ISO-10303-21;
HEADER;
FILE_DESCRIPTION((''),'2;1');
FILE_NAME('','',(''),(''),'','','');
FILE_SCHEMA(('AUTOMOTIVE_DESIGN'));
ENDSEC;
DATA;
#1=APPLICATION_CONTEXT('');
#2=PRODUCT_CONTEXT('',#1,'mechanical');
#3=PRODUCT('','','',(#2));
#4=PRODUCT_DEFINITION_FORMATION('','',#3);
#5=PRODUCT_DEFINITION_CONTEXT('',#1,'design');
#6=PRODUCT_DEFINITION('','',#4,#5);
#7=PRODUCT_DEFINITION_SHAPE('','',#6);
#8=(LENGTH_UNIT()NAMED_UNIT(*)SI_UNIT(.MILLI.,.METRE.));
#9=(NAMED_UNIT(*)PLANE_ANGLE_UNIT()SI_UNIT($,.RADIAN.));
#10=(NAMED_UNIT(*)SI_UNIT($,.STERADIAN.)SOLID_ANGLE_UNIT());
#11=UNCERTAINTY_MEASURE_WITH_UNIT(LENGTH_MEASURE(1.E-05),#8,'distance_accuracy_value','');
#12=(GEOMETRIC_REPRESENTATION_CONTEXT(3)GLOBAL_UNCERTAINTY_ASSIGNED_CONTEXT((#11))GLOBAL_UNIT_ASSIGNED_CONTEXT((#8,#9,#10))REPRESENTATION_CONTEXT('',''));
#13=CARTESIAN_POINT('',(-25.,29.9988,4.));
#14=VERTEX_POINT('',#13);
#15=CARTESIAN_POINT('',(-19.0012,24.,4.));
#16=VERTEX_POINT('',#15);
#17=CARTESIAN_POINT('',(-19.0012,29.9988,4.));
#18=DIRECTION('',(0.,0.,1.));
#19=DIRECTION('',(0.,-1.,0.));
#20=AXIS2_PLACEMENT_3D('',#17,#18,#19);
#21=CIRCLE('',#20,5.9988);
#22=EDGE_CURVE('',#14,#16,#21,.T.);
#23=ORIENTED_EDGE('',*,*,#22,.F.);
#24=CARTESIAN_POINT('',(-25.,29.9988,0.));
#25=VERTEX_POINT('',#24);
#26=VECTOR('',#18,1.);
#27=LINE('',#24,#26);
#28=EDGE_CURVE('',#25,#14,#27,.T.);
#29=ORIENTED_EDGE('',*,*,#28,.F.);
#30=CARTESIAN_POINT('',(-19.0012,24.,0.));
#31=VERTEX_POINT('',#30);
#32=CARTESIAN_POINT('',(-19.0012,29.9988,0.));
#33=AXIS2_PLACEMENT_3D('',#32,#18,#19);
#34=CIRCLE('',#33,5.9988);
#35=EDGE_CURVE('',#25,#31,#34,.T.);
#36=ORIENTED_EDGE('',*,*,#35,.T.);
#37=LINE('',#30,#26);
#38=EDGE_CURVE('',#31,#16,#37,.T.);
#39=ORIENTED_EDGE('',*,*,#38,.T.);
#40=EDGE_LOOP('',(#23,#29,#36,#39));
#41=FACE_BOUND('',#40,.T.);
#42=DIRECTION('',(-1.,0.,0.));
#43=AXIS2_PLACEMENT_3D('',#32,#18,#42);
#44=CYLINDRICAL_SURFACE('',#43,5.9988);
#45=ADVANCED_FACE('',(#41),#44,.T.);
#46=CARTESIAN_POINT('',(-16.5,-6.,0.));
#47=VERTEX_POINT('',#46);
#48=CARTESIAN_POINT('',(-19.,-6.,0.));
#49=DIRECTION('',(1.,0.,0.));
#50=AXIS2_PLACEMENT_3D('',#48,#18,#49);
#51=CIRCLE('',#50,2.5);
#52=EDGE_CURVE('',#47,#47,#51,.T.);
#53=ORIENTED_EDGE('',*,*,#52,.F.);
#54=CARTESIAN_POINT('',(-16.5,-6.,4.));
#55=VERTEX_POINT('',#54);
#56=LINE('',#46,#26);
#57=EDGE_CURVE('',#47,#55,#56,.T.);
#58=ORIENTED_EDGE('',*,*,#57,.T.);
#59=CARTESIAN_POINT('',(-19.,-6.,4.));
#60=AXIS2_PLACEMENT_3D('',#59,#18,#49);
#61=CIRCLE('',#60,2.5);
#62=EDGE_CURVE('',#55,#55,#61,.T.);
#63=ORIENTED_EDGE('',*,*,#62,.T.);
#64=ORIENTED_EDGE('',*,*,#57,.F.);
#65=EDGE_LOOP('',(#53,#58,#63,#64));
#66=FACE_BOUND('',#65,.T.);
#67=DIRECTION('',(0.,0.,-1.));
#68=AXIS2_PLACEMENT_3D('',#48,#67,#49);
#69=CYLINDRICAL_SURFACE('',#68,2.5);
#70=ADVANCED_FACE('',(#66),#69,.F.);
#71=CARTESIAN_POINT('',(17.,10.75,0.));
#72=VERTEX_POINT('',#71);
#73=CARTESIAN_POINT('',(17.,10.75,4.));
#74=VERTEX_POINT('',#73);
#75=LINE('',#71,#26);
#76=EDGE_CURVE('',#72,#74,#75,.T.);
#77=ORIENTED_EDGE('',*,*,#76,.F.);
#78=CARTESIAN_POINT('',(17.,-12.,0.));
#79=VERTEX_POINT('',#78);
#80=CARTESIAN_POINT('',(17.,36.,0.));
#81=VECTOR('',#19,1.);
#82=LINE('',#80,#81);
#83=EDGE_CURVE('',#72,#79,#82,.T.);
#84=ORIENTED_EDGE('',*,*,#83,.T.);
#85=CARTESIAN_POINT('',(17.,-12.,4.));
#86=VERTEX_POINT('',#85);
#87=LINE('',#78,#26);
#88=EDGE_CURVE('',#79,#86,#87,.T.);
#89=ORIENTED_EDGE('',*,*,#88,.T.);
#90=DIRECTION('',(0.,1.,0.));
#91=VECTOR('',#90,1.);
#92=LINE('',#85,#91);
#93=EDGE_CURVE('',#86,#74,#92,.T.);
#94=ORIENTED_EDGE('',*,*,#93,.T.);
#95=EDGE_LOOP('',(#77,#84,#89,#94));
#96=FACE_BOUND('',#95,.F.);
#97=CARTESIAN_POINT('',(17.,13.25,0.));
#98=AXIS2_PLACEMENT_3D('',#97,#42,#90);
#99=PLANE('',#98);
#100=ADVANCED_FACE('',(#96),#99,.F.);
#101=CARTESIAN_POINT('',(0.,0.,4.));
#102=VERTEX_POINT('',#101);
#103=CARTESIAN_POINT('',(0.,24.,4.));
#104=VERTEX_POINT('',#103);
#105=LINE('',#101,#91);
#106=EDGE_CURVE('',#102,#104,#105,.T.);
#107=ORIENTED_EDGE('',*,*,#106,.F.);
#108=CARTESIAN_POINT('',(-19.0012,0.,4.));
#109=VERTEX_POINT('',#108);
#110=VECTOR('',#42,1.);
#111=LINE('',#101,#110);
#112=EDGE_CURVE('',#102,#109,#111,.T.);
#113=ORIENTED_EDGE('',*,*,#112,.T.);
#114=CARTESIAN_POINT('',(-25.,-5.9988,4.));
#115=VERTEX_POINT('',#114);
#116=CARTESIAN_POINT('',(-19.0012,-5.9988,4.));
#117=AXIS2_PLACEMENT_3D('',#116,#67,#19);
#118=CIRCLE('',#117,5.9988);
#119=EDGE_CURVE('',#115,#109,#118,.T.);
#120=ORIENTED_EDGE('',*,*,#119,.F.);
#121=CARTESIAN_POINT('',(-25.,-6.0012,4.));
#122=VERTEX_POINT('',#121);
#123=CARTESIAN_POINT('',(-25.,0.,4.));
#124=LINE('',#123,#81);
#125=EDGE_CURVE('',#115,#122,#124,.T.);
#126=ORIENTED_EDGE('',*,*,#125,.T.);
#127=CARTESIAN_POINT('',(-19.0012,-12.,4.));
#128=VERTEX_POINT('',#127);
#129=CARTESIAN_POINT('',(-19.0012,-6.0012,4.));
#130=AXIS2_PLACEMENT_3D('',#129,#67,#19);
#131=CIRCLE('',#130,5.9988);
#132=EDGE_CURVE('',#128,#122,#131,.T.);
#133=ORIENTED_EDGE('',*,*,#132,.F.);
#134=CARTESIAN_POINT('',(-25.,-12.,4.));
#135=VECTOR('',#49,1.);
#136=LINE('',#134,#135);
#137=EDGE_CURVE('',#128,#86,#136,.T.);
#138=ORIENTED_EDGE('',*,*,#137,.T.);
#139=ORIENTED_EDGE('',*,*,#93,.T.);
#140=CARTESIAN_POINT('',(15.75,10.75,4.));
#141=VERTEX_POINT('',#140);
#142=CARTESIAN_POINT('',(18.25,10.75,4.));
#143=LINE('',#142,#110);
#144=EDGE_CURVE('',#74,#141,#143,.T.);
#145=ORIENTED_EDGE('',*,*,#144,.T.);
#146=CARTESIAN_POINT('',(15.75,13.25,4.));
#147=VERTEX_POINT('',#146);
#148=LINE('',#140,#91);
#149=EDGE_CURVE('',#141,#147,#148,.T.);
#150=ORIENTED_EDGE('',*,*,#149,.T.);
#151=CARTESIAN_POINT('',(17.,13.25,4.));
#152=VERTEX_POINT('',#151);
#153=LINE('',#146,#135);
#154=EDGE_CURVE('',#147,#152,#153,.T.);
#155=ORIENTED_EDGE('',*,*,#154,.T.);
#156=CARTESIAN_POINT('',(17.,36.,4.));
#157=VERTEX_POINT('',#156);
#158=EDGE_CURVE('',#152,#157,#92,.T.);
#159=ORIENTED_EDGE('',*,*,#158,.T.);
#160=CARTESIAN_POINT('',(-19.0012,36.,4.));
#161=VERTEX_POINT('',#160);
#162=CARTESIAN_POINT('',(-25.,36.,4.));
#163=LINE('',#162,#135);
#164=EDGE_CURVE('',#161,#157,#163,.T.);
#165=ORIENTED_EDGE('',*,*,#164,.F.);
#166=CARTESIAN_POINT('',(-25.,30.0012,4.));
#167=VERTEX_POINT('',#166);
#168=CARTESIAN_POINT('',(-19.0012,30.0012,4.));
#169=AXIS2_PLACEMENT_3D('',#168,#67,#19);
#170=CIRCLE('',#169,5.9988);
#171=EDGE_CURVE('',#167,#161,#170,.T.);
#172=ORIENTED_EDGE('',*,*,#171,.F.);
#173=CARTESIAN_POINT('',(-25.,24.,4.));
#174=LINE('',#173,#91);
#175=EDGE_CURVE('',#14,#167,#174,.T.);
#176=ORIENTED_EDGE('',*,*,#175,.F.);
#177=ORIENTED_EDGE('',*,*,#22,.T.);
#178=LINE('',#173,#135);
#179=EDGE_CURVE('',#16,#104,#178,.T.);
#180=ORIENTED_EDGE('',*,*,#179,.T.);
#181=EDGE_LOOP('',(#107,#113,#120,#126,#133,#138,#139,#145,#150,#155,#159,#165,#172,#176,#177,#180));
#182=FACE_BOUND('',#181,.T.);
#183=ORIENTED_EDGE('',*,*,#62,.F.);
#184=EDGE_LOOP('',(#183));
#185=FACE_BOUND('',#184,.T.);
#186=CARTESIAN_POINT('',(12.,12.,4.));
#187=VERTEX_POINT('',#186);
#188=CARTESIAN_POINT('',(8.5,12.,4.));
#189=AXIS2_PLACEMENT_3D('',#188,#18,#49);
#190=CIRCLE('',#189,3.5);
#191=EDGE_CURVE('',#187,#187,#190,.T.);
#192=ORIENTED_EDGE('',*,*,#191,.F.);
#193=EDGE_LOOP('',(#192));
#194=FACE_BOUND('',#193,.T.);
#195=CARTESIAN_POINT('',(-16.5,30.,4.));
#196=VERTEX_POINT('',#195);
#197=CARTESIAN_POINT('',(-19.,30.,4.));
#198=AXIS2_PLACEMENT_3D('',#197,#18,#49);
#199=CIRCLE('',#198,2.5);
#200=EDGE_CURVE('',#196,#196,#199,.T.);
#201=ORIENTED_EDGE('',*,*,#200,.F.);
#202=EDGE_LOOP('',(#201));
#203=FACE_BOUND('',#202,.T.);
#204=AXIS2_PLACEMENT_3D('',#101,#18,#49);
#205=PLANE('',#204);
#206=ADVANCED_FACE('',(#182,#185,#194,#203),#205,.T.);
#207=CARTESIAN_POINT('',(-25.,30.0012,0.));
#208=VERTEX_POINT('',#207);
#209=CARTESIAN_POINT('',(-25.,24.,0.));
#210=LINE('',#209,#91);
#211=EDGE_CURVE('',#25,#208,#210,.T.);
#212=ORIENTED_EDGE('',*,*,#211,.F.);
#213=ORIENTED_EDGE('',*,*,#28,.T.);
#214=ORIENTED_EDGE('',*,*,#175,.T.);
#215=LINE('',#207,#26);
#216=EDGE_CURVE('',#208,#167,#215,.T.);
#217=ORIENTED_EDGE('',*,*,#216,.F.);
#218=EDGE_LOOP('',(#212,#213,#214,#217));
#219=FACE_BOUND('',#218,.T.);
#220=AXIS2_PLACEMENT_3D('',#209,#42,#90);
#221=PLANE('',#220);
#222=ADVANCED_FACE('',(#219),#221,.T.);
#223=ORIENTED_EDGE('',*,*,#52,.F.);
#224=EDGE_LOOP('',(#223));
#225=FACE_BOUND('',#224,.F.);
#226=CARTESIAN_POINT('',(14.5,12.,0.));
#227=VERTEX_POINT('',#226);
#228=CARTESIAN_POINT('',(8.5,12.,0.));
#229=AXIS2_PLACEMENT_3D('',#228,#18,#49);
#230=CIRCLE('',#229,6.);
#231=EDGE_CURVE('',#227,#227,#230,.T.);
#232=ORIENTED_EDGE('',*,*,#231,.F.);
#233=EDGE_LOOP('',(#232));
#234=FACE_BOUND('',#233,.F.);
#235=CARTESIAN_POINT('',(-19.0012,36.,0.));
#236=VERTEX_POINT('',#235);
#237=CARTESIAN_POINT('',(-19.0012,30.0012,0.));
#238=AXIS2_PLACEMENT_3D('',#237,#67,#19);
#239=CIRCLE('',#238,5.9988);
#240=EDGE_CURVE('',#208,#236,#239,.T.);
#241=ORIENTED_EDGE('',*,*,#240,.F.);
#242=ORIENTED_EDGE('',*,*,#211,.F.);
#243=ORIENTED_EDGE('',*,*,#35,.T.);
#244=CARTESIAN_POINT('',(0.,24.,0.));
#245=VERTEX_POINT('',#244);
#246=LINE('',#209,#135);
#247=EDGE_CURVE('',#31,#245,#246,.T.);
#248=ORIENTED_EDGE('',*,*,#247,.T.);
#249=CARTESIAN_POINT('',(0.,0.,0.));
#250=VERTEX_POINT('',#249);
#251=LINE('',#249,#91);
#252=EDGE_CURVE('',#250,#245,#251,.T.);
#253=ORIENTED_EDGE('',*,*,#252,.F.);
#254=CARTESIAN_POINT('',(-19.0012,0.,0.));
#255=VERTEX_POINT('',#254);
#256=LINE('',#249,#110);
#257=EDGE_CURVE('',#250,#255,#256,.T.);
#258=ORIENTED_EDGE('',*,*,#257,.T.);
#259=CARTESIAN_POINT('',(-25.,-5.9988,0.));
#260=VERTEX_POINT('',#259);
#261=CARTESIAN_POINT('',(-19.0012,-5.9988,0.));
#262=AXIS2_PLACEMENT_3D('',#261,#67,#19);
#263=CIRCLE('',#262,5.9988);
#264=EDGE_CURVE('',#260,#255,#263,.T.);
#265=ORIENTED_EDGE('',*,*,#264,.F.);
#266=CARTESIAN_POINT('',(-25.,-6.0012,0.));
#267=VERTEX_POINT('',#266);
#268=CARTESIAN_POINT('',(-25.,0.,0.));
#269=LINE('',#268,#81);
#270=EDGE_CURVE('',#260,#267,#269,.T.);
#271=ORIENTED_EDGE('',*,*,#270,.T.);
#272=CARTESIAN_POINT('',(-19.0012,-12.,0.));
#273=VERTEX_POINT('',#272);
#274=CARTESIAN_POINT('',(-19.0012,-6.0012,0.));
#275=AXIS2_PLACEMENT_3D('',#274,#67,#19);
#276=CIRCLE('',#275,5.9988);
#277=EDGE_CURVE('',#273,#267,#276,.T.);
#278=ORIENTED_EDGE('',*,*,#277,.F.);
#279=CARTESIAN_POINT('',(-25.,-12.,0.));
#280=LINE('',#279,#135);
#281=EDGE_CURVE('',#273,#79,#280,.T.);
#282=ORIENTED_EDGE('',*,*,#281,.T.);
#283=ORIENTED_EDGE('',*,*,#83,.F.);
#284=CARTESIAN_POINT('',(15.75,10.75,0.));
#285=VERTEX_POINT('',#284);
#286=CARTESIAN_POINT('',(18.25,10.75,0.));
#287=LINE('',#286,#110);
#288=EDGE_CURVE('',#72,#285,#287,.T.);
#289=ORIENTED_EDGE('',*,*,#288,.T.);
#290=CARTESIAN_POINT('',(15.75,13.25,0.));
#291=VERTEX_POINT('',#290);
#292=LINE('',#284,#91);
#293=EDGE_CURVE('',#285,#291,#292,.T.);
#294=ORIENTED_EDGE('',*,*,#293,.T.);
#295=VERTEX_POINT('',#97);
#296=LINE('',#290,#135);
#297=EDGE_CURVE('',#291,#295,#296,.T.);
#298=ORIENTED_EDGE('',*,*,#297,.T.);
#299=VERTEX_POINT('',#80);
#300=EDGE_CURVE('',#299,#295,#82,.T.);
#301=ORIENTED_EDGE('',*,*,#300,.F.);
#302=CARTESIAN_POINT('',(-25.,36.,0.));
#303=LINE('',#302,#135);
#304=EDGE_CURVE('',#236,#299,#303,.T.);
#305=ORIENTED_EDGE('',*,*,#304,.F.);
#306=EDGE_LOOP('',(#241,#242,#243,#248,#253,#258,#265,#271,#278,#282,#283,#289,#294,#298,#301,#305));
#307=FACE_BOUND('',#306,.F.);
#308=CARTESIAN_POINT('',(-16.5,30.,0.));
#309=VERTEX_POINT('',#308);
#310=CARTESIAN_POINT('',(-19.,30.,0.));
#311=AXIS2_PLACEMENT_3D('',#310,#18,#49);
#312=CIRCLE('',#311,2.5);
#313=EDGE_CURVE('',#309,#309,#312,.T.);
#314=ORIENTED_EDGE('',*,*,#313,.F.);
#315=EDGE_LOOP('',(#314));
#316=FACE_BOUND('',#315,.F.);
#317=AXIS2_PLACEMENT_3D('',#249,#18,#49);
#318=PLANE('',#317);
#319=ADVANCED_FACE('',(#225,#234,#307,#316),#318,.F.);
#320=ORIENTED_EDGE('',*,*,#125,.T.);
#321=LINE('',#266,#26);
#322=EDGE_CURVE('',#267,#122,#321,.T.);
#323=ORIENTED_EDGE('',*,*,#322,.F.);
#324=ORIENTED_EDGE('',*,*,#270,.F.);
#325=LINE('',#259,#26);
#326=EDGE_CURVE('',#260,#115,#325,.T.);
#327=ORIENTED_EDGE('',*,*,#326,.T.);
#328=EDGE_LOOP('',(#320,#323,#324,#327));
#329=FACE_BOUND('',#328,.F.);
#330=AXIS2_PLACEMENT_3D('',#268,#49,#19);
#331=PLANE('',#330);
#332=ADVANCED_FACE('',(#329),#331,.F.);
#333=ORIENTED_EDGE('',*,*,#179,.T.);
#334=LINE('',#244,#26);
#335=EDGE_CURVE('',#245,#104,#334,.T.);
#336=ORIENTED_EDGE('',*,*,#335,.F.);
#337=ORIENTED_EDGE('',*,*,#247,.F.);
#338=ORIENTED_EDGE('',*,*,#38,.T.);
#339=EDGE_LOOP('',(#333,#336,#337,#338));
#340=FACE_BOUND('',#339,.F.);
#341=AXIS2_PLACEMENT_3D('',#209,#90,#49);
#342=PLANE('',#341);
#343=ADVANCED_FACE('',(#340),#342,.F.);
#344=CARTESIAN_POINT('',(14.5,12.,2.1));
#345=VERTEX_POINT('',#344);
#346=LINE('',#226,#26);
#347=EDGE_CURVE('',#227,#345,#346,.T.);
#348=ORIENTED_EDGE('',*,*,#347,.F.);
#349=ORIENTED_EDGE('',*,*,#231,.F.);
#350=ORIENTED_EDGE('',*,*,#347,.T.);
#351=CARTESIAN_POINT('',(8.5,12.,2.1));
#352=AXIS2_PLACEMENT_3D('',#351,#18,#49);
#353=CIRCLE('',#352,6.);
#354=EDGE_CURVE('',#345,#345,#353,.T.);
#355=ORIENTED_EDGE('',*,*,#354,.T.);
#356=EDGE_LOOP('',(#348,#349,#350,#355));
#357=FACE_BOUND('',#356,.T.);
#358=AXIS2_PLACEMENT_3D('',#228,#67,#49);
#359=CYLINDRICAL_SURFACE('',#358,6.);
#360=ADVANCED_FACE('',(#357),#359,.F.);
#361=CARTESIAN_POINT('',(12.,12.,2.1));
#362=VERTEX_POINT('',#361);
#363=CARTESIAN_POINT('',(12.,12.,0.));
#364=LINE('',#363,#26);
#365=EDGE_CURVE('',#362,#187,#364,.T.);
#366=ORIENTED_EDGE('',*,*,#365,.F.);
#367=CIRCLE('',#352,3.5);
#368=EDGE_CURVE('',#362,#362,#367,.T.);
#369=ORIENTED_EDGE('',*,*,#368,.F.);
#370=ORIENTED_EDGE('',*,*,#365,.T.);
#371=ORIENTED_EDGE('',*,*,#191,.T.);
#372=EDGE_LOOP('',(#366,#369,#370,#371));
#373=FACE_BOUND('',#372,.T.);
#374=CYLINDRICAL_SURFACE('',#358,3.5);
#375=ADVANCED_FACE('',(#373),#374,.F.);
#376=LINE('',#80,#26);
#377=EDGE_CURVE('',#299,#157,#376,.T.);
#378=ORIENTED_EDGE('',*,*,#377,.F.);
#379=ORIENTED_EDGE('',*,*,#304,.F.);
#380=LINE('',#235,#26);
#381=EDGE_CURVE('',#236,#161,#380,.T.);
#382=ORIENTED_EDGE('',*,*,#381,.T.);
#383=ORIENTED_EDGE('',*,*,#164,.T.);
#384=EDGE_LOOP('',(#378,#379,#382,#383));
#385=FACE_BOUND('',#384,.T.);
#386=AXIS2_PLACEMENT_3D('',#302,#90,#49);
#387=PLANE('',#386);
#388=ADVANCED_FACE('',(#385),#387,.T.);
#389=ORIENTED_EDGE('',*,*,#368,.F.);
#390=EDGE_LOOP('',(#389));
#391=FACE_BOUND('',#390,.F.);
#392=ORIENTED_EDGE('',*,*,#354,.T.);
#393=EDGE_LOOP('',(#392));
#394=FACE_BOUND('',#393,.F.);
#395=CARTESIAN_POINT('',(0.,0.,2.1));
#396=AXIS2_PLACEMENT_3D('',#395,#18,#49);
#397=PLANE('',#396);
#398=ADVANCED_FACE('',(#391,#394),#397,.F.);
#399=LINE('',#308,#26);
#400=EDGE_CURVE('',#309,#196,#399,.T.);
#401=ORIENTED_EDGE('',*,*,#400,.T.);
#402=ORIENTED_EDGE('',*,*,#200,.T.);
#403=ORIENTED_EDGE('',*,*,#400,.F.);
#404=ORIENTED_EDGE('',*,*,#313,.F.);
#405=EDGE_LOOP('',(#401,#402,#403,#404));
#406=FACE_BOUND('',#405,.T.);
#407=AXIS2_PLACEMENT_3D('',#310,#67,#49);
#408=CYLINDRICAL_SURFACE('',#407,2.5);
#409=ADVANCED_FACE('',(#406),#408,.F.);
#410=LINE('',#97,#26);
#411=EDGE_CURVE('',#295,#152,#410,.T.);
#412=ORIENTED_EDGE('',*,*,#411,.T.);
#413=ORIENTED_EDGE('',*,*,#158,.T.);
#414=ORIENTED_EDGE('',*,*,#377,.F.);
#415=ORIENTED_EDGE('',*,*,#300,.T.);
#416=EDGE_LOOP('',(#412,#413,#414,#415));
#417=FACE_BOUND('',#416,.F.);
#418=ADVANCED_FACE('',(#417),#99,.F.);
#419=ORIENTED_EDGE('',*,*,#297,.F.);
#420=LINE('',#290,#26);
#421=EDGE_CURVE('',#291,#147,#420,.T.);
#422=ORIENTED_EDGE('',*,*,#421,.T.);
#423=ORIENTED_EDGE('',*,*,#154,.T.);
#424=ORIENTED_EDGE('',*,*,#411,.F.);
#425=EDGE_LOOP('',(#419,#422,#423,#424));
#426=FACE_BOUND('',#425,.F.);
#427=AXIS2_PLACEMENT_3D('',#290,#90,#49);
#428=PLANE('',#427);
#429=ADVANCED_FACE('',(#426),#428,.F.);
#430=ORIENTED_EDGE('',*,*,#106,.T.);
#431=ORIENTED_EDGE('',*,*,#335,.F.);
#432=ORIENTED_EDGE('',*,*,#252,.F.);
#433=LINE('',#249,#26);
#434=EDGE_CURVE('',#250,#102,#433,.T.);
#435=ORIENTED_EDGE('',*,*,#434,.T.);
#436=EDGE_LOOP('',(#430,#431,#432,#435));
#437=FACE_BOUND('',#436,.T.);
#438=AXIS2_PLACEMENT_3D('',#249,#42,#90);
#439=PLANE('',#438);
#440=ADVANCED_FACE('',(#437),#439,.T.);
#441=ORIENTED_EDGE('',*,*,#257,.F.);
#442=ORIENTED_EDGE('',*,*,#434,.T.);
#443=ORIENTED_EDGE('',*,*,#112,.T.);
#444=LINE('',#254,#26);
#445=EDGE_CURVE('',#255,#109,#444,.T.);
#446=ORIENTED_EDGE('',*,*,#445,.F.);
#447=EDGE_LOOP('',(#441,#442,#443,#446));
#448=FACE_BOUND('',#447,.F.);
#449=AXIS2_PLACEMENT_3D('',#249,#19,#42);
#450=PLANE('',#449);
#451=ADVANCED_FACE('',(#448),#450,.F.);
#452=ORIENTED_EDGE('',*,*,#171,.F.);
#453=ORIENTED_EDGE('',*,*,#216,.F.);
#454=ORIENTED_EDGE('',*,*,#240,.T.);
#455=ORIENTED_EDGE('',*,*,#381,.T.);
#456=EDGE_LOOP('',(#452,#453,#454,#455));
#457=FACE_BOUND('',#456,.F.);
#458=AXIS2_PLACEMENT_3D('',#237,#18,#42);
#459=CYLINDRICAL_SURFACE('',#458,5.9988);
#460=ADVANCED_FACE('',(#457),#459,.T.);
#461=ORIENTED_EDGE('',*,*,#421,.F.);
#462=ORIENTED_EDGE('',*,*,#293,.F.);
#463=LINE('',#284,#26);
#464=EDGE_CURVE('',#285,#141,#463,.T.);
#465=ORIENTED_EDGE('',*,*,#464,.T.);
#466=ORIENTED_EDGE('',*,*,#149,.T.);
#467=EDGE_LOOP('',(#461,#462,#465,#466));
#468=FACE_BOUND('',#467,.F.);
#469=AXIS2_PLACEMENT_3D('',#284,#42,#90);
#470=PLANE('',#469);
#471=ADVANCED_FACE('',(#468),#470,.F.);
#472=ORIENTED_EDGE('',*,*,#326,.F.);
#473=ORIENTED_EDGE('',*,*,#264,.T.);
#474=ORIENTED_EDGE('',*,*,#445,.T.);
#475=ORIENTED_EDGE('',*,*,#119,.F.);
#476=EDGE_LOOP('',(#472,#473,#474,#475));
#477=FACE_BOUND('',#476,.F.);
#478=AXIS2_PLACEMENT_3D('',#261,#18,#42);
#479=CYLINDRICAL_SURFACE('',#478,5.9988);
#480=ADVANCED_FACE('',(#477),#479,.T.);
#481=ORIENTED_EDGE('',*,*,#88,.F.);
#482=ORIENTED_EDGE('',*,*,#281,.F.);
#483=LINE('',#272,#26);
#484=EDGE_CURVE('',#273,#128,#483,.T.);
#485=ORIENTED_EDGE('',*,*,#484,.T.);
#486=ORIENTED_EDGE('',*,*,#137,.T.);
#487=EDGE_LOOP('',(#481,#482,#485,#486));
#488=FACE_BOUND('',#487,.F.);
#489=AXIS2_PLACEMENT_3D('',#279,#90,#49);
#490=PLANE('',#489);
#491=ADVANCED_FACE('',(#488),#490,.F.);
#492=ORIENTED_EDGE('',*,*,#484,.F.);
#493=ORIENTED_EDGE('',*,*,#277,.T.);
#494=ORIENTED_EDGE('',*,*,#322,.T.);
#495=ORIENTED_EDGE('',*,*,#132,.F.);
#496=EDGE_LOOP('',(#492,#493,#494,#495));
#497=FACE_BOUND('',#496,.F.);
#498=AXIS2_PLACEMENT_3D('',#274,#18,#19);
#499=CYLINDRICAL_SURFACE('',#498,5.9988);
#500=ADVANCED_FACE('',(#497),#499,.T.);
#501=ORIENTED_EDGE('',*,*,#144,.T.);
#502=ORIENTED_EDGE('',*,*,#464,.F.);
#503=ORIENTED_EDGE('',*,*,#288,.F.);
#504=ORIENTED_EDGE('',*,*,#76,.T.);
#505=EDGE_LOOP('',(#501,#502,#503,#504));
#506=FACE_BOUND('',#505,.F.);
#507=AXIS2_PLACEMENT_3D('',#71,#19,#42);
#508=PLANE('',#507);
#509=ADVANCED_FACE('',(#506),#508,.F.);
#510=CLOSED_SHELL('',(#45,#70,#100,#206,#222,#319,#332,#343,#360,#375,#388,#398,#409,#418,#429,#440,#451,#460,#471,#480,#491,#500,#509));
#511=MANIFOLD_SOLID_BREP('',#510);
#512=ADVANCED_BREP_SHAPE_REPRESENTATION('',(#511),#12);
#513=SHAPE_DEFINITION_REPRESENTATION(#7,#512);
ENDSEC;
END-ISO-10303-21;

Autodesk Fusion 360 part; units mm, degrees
sketch "Sketch2" plane through (0, 0, 0) normal (0, 0, 1) x (1, 0, 0)
  circle A0 centre (8.5, 12) radius 3.5
  line L0 (-25, 24) -> (-25, 36)
  line L1 (0, 0) -> (0, 24)
  line L2 (-25, 24) -> (0, 24)
  line L3 (-25, 36) -> (17, 36)
  circle A1 centre (-19, 30) radius 2.5
  circle A2 centre (8.5, 12) radius 6
  line L4 (18.25, 10.75) -> (15.75, 10.75)
  line L5 (15.75, 10.75) -> (15.75, 13.25)
  line L6 (15.75, 13.25) -> (18.25, 13.25)
  line L7 (18.25, 13.25) -> (18.25, 10.75)
  line L8 (18.25, 10.75) -> (15.75, 13.25) construction
  line L9 (15.75, 10.75) -> (18.25, 13.25) construction
  line L10 (0, 0) -> (-25, 0)
  line L11 (-25, 0) -> (-25, -12)
  line L12 (-25, -12) -> (17, -12)
  line L13 (17, -12) -> (17, 36)
  line L14 (8.5, 12) -> (17, 12) construction
  circle A3 centre (-19, -6) radius 2.5
  point P0 (17, 12)
  dimension "d16" = 7
  dimension "d20" = 12
  dimension "d21" = 25
  dimension "d22" = 12
  dimension "d23" = 5
  dimension "d25" = 12
  dimension "d30" = 2.5
  dimension "d31" = 2.5
  dimension "d34" = 6
  dimension "d35" = 6
  dimension "d36" = 12
  dimension "d37" = 25
  dimension "d38" = 17
  dimension "d39" = 8.5
  dimension "d40" = 5
  dimension "d41" = 6
  dimension "d42" = 6
extrude "Extrude3" add sketch "Sketch2" along normal blind 4 contours L0 L1 L2 L3 L4 L5 L6 L10 L11 L12 L13 | L4 L5 L6 L13 | A2
extrude "Extrude4" cut sketch "Sketch2" along normal blind 2.1 contours A2
extrude "Extrude5" cut sketch "Sketch2" along normal blind 4 contours L4 L5 L6 L13
fillet "Fillet1" radius 6 4 edges at (-25, 24, 2) (-25, 0, 2) (-25, -12, 2) (-25, 36, 2)
